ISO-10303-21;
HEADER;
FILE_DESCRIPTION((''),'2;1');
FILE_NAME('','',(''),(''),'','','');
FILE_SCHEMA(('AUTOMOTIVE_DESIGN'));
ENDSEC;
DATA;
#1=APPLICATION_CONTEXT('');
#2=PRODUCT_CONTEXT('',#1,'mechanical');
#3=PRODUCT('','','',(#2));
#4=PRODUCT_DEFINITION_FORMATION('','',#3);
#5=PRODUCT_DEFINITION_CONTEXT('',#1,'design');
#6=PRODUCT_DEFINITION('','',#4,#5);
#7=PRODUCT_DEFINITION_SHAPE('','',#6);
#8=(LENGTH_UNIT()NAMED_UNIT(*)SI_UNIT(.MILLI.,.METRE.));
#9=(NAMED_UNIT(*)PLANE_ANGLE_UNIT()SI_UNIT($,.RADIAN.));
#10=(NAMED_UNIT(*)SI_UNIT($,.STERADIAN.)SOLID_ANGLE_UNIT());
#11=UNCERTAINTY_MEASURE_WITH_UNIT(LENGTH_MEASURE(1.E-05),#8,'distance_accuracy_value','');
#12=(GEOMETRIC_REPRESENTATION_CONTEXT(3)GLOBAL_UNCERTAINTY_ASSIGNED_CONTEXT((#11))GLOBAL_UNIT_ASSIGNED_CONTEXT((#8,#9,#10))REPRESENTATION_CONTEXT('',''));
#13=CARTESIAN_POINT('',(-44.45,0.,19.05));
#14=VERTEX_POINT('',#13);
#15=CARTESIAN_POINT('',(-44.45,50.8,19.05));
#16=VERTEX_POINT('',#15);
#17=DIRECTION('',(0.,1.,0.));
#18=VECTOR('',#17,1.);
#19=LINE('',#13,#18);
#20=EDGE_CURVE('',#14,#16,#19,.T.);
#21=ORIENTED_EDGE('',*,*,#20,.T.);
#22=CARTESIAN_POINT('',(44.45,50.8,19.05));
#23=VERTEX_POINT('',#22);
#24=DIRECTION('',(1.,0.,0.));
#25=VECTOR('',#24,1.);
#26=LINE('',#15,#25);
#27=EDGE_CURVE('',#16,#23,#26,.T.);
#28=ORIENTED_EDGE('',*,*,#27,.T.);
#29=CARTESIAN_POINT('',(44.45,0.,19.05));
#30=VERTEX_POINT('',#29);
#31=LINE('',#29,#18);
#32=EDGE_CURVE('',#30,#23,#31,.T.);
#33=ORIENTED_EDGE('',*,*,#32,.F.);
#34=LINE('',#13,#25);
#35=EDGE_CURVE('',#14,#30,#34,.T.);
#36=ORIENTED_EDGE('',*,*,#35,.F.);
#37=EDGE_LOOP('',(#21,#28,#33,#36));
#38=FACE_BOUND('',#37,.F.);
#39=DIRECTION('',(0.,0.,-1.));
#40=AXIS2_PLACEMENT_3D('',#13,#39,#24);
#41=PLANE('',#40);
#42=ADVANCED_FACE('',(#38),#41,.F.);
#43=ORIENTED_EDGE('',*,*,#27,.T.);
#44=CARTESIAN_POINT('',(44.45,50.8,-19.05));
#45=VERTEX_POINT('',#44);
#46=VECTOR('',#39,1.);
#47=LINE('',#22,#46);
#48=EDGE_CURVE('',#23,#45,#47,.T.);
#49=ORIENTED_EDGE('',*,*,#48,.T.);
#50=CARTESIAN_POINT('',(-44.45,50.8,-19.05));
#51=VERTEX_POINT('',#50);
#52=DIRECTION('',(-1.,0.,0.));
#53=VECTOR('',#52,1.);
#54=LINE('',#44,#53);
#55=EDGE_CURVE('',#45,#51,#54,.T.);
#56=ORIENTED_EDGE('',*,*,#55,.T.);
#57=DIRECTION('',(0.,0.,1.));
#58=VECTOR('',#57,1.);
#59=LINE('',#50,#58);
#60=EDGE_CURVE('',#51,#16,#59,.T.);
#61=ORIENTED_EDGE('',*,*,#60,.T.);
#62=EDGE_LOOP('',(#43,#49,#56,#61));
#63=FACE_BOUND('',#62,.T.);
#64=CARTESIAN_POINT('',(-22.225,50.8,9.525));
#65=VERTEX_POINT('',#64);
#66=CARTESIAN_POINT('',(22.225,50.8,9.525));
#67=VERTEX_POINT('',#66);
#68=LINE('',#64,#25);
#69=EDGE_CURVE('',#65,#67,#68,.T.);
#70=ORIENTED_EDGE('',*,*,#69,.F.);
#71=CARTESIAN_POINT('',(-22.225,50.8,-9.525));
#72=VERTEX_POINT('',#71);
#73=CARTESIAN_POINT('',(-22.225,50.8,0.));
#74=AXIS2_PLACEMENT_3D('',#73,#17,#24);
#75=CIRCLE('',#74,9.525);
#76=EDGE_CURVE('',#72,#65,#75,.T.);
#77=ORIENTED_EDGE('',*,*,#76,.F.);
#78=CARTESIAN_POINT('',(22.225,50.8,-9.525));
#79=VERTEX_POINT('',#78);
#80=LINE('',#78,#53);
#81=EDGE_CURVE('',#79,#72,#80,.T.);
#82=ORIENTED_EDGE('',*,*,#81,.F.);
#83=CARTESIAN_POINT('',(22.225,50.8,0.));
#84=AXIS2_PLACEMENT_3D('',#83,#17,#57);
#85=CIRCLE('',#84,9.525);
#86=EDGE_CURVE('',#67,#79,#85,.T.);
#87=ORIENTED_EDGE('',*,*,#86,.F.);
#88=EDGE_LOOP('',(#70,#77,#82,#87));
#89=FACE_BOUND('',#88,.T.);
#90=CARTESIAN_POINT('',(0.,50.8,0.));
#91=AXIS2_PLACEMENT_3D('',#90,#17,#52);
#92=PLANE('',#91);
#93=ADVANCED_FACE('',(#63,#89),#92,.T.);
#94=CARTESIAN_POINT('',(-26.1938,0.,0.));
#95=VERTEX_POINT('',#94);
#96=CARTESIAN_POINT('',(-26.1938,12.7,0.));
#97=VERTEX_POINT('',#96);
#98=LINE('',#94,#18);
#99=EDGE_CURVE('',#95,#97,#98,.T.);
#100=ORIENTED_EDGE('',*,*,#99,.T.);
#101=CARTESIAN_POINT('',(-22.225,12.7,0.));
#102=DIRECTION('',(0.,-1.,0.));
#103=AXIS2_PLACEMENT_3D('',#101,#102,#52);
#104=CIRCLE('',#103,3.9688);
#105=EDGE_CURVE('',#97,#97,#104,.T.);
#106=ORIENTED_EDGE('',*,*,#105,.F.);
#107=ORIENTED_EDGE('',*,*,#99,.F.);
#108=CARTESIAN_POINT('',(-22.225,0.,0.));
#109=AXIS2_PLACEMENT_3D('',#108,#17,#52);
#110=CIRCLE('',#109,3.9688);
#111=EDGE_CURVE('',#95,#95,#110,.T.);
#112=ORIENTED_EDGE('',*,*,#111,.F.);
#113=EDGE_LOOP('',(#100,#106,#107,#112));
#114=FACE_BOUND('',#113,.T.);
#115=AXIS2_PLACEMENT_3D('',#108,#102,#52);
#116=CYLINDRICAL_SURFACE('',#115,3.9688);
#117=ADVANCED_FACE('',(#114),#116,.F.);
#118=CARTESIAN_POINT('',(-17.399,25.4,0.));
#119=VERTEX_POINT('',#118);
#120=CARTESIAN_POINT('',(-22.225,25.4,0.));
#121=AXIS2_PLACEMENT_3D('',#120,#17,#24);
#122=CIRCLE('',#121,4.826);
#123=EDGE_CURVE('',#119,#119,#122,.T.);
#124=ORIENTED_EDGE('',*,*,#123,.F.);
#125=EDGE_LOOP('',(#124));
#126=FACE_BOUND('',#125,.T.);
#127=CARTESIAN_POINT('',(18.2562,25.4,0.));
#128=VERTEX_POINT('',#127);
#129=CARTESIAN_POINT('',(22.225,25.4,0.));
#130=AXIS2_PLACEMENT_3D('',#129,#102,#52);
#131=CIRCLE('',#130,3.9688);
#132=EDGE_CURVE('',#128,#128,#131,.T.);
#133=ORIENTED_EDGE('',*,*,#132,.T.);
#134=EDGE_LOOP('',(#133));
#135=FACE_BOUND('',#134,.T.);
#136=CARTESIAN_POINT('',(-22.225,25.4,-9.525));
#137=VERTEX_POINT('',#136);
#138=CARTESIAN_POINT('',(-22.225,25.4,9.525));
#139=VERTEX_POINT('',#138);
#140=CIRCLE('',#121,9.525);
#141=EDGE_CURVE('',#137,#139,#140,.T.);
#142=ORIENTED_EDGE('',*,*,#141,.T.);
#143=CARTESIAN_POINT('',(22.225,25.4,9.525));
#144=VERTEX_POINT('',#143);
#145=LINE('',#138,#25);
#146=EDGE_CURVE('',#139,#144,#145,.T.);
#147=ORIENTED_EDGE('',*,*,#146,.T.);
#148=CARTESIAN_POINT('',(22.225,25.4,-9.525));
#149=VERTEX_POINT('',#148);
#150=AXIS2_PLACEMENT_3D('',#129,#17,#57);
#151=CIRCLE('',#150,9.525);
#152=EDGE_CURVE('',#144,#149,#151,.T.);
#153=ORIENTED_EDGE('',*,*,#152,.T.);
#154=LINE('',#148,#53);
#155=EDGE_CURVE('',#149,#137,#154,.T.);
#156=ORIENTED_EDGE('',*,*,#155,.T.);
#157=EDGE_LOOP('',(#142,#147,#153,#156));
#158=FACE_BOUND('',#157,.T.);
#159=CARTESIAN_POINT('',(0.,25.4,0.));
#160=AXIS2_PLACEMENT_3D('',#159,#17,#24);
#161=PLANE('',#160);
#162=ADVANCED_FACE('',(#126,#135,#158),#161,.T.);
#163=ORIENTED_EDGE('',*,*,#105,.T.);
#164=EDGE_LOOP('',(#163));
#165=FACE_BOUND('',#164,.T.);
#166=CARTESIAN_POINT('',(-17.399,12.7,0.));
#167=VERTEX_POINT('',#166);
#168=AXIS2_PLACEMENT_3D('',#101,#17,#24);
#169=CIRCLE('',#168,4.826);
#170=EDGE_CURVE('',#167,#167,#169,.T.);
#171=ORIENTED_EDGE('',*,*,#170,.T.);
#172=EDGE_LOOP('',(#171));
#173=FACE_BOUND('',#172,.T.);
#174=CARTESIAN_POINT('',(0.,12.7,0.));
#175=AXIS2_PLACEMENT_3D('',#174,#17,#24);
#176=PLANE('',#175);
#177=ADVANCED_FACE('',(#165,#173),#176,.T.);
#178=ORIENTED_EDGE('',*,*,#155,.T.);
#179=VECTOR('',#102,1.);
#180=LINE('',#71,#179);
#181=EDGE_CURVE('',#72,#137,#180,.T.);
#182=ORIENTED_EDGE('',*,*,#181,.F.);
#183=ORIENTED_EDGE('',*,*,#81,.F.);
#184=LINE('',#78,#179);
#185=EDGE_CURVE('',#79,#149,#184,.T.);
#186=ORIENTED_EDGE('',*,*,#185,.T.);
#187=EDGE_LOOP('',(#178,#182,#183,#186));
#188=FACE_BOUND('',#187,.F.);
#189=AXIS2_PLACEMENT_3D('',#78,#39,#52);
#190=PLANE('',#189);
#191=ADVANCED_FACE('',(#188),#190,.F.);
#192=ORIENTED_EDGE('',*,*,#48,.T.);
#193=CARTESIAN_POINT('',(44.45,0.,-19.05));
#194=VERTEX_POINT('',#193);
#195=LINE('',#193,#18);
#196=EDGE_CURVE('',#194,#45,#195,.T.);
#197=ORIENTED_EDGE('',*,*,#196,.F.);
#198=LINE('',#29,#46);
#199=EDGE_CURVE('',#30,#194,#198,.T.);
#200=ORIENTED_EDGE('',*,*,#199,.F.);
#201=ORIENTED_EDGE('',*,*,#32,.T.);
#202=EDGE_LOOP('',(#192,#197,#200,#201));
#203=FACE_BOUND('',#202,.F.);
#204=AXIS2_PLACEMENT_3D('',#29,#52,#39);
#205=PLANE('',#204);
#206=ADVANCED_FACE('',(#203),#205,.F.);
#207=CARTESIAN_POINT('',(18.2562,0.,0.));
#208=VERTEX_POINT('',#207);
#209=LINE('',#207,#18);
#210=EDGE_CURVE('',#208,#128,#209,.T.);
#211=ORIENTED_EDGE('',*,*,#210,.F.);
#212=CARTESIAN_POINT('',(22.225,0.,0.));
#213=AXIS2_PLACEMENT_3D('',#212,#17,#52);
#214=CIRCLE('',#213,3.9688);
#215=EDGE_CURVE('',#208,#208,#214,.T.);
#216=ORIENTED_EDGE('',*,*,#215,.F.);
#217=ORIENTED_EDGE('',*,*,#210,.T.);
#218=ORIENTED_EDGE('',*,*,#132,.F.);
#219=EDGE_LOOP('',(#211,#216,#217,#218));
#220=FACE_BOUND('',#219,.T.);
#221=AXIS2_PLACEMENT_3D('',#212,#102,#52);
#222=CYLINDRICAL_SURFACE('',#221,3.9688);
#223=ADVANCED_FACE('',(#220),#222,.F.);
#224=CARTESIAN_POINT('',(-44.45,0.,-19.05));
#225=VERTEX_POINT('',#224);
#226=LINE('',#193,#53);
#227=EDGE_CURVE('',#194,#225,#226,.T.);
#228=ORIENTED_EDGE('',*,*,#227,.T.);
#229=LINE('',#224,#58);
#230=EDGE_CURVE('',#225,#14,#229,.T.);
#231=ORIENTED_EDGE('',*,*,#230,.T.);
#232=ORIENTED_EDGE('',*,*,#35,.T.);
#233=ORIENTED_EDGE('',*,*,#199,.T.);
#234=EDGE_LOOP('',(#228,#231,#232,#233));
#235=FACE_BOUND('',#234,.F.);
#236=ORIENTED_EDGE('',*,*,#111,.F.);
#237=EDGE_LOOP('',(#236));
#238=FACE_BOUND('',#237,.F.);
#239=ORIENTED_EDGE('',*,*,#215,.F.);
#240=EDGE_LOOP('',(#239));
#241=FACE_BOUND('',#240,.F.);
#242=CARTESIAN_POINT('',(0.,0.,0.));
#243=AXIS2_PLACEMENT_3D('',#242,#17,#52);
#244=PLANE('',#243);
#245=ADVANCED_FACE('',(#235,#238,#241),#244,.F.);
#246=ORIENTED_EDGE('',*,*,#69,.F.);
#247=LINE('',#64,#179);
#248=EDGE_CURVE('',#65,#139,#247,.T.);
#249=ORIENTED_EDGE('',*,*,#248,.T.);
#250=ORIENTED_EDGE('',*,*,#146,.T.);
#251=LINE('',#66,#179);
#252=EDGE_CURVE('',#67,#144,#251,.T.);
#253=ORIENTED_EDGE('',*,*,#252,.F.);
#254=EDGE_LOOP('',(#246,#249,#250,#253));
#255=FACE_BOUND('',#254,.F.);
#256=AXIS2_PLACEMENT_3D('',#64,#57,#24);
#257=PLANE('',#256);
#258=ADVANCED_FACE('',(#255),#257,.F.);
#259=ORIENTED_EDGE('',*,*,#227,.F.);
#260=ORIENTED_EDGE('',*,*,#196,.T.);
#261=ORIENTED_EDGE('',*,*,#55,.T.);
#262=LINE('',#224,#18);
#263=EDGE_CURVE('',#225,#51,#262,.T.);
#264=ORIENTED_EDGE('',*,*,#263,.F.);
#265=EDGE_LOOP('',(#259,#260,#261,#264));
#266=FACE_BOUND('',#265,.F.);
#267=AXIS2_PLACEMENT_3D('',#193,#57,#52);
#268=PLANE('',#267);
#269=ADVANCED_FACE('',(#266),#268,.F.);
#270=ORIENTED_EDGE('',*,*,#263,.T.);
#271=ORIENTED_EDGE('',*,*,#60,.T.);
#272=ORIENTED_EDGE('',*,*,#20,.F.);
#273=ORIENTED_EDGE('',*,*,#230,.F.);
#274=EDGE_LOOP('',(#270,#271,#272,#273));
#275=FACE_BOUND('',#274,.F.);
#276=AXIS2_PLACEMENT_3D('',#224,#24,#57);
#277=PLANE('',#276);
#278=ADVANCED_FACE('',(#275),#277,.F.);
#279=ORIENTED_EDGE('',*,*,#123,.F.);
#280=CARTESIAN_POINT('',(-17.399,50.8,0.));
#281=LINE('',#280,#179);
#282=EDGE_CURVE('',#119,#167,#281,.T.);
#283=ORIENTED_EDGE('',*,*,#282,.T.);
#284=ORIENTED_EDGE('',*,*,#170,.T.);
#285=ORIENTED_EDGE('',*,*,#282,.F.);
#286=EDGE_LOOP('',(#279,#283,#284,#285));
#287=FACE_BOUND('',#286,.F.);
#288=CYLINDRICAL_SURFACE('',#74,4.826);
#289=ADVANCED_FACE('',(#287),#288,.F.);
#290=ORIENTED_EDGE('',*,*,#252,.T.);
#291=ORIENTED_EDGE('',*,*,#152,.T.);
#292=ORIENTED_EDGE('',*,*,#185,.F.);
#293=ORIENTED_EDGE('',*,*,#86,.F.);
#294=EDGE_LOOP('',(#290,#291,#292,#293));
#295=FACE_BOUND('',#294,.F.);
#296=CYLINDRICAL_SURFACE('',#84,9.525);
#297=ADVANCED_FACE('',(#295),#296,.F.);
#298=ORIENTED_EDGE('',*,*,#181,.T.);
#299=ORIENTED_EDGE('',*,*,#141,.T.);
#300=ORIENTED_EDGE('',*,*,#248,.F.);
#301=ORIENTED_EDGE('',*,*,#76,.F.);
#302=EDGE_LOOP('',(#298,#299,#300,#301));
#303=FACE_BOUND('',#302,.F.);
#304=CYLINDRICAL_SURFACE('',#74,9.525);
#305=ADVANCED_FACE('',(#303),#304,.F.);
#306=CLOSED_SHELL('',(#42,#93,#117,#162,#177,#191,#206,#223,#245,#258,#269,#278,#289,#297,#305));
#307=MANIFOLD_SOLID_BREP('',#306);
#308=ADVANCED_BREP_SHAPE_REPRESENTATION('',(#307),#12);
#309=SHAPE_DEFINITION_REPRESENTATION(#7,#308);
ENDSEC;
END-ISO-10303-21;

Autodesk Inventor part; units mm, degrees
ref_plane "YZ Plane" through (0, 0, 0) normal (1, 0, 0) x (0, 1, 0)
ref_plane "XZ Plane" through (0, 0, 0) normal (0, 1, 0) x (-1, 0, 0)
ref_plane "XY Plane" through (0, 0, 0) normal (0, 0, 1) x (1, 0, 0)
sketch "Sketch1" plane through (0, 0, 0) normal (0, 1, 0) x (-1, 0, 0)
  line L0 (-44.45, -19.05) -> (44.45, -19.05)
  line L1 (44.45, -19.05) -> (44.45, 19.05)
  line L2 (44.45, 19.05) -> (-44.45, 19.05)
  line L3 (-44.45, 19.05) -> (-44.45, -19.05)
  line L4 (-44.45, -19.05) -> (44.45, 19.05) construction
  line L5 (44.45, -19.05) -> (-44.45, 19.05) construction
  circle A0 centre (22.225, 0) radius 3.9688
  circle A1 centre (-22.225, 0) radius 3.9688
  circle A2 centre (22.225, 0) radius 12.7
  circle A3 centre (-22.225, 0) radius 12.7
  point P0 (0, 0)
  point P1 (0, 0)
  point P2 (0, 0)
  dimension "d3" = 38.1
  dimension "d4" = 88.9
  dimension "d20" = 7.9375
  dimension "d21" = 25.4
  dimension "d22" = 22.225
  dimension "d23" = 22.225
extrude "Extrusion5" add sketch "Sketch1" along normal blind 50.8 contours L3 L2 L1 L0 | A2 | A3
sketch "Sketch10" plane through (0, 50.8, 0) normal (0, 1, 0) x (1, 0, 0)
  circle A0 centre (22.225, 0) radius 3.9687 projected
  circle A1 centre (-22.225, 0) radius 3.9687 projected
  line L0 (44.45, 19.05) -> (-44.45, 19.05) projected
  line L1 (-44.45, 19.05) -> (-44.45, -19.05) projected
  line L2 (-44.45, -19.05) -> (44.45, -19.05) projected
  line L3 (44.45, -19.05) -> (44.45, 19.05) projected
  circle A2 centre (-22.225, 0) radius 4.826
  circle A3 centre (-22.225, 0) radius 9.525
  point P0 (0, 0)
  dimension "d38" = 9.652
  dimension "d41" = 19.05
extrude "Extrusion8" cut sketch "Sketch10" against normal blind 38.1 contours A2
extrude "Extrusion9" cut sketch "Sketch10" against normal blind 25.4 contours A3
sketch "Sketch12" plane through (0, 50.8, 0) normal (0, 1, 0) x (1, 0, 0)
  circle A0 centre (-22.225, 0) radius 9.525 projected
  circle A1 centre (22.225, 0) radius 3.9687 projected
  line L0 (44.45, 19.05) -> (-44.45, 19.05) projected
  line L1 (-44.45, 19.05) -> (-44.45, -19.05) projected
  line L2 (-44.45, -19.05) -> (44.45, -19.05) projected
  line L3 (44.45, -19.05) -> (44.45, 19.05) projected
  circle A2 centre (-22.225, 0) radius 3.9687 projected
  line L4 (-22.225, 0) -> (22.225, 0) construction
  line L5 (-22.225, -9.525) -> (22.225, -9.525)
  line L6 (22.225, 9.525) -> (-22.225, 9.525)
  arc A3 (-22.225, 9.525) -> (-22.225, -9.525) centre (-22.225, 0) ccw
  arc A4 (22.225, -9.525) -> (22.225, 9.525) centre (22.225, 0) ccw
  point P0 (0, 0)
  point P1 (0, 0)
extrude "Extrusion10" cut sketch "Sketch12" against normal up to surface (25.4 mm away) contours A0 | A0 L6 A4 L5
equation "\"d23\" = d22"
properties part number "AirPressureAndValvePart2"
